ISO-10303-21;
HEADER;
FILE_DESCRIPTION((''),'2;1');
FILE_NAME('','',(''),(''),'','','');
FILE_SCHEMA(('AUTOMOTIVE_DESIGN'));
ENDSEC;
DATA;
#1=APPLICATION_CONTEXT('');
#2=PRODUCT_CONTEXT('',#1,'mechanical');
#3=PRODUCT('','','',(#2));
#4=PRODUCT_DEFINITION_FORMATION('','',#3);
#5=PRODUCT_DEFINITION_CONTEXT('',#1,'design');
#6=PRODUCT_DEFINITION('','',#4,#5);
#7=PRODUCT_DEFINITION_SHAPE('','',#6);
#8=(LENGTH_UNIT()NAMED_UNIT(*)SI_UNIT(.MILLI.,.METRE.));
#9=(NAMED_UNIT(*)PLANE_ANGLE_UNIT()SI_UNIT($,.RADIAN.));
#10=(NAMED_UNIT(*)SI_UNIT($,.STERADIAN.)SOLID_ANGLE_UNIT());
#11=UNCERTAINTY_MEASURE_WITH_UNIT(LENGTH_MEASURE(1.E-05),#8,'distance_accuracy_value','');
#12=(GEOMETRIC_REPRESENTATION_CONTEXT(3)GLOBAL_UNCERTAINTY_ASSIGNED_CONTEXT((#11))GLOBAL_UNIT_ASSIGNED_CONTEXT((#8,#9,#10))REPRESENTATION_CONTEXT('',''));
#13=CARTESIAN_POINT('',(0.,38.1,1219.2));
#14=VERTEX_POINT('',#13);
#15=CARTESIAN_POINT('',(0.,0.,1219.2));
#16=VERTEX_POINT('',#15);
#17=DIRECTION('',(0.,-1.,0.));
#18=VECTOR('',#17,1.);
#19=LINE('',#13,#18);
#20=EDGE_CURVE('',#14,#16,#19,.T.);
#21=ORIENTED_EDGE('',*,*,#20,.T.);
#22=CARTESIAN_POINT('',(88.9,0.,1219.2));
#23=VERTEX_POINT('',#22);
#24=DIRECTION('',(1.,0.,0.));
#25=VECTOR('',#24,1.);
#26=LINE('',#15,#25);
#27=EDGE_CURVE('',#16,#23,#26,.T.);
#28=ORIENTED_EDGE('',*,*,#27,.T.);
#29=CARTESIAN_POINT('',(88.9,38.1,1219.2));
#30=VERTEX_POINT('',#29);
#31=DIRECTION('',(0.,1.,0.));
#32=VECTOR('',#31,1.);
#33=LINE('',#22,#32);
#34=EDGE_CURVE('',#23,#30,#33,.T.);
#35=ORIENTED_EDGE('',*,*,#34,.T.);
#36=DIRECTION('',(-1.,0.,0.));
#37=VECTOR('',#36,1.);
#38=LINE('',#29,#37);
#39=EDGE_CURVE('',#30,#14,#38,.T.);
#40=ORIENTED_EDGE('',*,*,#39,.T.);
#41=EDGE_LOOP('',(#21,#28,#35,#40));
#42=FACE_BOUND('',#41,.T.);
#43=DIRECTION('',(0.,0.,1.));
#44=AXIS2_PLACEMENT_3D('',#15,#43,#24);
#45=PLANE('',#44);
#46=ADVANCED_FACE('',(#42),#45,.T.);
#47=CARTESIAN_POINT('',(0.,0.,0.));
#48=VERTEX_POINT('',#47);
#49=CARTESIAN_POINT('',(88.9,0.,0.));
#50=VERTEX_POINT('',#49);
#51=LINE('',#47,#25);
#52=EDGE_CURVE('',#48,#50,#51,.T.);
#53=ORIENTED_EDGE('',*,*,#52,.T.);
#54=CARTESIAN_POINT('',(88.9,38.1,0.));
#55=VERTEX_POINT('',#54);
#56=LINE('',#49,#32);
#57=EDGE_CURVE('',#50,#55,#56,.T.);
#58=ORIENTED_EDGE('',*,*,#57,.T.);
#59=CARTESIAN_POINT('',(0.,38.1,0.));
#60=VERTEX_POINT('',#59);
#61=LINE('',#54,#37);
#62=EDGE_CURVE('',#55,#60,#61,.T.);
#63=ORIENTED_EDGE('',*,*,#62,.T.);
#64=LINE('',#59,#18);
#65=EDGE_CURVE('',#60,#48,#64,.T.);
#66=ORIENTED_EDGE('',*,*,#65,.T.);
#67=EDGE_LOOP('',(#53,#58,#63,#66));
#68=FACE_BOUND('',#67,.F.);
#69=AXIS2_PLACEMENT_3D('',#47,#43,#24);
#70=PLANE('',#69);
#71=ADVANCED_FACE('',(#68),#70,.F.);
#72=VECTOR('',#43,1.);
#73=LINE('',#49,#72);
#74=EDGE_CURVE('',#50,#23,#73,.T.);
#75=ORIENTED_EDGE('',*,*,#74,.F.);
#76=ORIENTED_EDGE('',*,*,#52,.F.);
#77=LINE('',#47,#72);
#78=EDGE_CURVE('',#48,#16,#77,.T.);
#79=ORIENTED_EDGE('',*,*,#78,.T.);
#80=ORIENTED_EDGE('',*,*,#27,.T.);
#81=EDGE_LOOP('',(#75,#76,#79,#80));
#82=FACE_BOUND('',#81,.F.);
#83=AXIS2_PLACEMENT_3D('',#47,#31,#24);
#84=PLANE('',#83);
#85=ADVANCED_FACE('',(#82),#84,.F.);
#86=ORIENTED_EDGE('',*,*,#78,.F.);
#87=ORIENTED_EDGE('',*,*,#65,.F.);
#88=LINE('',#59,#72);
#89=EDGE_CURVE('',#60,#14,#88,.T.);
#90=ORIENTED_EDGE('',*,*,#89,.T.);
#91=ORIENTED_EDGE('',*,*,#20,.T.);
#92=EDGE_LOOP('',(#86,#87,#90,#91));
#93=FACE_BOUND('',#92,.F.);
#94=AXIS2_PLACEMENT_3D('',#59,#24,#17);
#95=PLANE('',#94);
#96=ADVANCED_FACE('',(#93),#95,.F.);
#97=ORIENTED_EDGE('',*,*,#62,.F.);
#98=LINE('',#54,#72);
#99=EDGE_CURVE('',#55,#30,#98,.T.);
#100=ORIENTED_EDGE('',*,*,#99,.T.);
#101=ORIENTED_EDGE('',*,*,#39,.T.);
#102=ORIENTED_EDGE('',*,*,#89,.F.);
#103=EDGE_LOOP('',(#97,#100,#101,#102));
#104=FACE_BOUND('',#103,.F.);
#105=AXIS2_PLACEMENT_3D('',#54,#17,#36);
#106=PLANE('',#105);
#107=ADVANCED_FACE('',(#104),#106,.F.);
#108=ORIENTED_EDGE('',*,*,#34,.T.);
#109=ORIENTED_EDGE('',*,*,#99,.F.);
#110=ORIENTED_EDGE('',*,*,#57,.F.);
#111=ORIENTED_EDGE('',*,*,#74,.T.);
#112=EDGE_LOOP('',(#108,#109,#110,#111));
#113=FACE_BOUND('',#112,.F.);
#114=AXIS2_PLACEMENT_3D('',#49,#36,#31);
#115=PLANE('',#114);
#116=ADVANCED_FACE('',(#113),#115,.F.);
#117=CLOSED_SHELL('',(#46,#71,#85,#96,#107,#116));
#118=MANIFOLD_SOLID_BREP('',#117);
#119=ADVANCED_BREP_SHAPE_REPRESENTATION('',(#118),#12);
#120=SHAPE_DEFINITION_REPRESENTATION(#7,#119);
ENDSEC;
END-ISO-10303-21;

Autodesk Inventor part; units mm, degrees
ref_plane "YZ Plane" through (0, 0, 0) normal (1, 0, 0) x (0, 1, 0)
ref_plane "XZ Plane" through (0, 0, 0) normal (0, 1, 0) x (-1, 0, 0)
ref_plane "XY Plane" through (0, 0, 0) normal (0, 0, 1) x (1, 0, 0)
sketch "Sketch1" plane through (0, 0, 0) normal (0, 0, 1) x (1, 0, 0)
  line L0 (0, 0) -> (88.9, 0)
  line L1 (88.9, 0) -> (88.9, 38.1)
  line L2 (88.9, 38.1) -> (0, 38.1)
  line L3 (0, 38.1) -> (0, 0)
  dimension "d0" = 38.1
  dimension "d1" = 88.9
extrude "Extrusion1" add sketch "Sketch1" along normal blind 1219.2
properties part number "4x2x4"
